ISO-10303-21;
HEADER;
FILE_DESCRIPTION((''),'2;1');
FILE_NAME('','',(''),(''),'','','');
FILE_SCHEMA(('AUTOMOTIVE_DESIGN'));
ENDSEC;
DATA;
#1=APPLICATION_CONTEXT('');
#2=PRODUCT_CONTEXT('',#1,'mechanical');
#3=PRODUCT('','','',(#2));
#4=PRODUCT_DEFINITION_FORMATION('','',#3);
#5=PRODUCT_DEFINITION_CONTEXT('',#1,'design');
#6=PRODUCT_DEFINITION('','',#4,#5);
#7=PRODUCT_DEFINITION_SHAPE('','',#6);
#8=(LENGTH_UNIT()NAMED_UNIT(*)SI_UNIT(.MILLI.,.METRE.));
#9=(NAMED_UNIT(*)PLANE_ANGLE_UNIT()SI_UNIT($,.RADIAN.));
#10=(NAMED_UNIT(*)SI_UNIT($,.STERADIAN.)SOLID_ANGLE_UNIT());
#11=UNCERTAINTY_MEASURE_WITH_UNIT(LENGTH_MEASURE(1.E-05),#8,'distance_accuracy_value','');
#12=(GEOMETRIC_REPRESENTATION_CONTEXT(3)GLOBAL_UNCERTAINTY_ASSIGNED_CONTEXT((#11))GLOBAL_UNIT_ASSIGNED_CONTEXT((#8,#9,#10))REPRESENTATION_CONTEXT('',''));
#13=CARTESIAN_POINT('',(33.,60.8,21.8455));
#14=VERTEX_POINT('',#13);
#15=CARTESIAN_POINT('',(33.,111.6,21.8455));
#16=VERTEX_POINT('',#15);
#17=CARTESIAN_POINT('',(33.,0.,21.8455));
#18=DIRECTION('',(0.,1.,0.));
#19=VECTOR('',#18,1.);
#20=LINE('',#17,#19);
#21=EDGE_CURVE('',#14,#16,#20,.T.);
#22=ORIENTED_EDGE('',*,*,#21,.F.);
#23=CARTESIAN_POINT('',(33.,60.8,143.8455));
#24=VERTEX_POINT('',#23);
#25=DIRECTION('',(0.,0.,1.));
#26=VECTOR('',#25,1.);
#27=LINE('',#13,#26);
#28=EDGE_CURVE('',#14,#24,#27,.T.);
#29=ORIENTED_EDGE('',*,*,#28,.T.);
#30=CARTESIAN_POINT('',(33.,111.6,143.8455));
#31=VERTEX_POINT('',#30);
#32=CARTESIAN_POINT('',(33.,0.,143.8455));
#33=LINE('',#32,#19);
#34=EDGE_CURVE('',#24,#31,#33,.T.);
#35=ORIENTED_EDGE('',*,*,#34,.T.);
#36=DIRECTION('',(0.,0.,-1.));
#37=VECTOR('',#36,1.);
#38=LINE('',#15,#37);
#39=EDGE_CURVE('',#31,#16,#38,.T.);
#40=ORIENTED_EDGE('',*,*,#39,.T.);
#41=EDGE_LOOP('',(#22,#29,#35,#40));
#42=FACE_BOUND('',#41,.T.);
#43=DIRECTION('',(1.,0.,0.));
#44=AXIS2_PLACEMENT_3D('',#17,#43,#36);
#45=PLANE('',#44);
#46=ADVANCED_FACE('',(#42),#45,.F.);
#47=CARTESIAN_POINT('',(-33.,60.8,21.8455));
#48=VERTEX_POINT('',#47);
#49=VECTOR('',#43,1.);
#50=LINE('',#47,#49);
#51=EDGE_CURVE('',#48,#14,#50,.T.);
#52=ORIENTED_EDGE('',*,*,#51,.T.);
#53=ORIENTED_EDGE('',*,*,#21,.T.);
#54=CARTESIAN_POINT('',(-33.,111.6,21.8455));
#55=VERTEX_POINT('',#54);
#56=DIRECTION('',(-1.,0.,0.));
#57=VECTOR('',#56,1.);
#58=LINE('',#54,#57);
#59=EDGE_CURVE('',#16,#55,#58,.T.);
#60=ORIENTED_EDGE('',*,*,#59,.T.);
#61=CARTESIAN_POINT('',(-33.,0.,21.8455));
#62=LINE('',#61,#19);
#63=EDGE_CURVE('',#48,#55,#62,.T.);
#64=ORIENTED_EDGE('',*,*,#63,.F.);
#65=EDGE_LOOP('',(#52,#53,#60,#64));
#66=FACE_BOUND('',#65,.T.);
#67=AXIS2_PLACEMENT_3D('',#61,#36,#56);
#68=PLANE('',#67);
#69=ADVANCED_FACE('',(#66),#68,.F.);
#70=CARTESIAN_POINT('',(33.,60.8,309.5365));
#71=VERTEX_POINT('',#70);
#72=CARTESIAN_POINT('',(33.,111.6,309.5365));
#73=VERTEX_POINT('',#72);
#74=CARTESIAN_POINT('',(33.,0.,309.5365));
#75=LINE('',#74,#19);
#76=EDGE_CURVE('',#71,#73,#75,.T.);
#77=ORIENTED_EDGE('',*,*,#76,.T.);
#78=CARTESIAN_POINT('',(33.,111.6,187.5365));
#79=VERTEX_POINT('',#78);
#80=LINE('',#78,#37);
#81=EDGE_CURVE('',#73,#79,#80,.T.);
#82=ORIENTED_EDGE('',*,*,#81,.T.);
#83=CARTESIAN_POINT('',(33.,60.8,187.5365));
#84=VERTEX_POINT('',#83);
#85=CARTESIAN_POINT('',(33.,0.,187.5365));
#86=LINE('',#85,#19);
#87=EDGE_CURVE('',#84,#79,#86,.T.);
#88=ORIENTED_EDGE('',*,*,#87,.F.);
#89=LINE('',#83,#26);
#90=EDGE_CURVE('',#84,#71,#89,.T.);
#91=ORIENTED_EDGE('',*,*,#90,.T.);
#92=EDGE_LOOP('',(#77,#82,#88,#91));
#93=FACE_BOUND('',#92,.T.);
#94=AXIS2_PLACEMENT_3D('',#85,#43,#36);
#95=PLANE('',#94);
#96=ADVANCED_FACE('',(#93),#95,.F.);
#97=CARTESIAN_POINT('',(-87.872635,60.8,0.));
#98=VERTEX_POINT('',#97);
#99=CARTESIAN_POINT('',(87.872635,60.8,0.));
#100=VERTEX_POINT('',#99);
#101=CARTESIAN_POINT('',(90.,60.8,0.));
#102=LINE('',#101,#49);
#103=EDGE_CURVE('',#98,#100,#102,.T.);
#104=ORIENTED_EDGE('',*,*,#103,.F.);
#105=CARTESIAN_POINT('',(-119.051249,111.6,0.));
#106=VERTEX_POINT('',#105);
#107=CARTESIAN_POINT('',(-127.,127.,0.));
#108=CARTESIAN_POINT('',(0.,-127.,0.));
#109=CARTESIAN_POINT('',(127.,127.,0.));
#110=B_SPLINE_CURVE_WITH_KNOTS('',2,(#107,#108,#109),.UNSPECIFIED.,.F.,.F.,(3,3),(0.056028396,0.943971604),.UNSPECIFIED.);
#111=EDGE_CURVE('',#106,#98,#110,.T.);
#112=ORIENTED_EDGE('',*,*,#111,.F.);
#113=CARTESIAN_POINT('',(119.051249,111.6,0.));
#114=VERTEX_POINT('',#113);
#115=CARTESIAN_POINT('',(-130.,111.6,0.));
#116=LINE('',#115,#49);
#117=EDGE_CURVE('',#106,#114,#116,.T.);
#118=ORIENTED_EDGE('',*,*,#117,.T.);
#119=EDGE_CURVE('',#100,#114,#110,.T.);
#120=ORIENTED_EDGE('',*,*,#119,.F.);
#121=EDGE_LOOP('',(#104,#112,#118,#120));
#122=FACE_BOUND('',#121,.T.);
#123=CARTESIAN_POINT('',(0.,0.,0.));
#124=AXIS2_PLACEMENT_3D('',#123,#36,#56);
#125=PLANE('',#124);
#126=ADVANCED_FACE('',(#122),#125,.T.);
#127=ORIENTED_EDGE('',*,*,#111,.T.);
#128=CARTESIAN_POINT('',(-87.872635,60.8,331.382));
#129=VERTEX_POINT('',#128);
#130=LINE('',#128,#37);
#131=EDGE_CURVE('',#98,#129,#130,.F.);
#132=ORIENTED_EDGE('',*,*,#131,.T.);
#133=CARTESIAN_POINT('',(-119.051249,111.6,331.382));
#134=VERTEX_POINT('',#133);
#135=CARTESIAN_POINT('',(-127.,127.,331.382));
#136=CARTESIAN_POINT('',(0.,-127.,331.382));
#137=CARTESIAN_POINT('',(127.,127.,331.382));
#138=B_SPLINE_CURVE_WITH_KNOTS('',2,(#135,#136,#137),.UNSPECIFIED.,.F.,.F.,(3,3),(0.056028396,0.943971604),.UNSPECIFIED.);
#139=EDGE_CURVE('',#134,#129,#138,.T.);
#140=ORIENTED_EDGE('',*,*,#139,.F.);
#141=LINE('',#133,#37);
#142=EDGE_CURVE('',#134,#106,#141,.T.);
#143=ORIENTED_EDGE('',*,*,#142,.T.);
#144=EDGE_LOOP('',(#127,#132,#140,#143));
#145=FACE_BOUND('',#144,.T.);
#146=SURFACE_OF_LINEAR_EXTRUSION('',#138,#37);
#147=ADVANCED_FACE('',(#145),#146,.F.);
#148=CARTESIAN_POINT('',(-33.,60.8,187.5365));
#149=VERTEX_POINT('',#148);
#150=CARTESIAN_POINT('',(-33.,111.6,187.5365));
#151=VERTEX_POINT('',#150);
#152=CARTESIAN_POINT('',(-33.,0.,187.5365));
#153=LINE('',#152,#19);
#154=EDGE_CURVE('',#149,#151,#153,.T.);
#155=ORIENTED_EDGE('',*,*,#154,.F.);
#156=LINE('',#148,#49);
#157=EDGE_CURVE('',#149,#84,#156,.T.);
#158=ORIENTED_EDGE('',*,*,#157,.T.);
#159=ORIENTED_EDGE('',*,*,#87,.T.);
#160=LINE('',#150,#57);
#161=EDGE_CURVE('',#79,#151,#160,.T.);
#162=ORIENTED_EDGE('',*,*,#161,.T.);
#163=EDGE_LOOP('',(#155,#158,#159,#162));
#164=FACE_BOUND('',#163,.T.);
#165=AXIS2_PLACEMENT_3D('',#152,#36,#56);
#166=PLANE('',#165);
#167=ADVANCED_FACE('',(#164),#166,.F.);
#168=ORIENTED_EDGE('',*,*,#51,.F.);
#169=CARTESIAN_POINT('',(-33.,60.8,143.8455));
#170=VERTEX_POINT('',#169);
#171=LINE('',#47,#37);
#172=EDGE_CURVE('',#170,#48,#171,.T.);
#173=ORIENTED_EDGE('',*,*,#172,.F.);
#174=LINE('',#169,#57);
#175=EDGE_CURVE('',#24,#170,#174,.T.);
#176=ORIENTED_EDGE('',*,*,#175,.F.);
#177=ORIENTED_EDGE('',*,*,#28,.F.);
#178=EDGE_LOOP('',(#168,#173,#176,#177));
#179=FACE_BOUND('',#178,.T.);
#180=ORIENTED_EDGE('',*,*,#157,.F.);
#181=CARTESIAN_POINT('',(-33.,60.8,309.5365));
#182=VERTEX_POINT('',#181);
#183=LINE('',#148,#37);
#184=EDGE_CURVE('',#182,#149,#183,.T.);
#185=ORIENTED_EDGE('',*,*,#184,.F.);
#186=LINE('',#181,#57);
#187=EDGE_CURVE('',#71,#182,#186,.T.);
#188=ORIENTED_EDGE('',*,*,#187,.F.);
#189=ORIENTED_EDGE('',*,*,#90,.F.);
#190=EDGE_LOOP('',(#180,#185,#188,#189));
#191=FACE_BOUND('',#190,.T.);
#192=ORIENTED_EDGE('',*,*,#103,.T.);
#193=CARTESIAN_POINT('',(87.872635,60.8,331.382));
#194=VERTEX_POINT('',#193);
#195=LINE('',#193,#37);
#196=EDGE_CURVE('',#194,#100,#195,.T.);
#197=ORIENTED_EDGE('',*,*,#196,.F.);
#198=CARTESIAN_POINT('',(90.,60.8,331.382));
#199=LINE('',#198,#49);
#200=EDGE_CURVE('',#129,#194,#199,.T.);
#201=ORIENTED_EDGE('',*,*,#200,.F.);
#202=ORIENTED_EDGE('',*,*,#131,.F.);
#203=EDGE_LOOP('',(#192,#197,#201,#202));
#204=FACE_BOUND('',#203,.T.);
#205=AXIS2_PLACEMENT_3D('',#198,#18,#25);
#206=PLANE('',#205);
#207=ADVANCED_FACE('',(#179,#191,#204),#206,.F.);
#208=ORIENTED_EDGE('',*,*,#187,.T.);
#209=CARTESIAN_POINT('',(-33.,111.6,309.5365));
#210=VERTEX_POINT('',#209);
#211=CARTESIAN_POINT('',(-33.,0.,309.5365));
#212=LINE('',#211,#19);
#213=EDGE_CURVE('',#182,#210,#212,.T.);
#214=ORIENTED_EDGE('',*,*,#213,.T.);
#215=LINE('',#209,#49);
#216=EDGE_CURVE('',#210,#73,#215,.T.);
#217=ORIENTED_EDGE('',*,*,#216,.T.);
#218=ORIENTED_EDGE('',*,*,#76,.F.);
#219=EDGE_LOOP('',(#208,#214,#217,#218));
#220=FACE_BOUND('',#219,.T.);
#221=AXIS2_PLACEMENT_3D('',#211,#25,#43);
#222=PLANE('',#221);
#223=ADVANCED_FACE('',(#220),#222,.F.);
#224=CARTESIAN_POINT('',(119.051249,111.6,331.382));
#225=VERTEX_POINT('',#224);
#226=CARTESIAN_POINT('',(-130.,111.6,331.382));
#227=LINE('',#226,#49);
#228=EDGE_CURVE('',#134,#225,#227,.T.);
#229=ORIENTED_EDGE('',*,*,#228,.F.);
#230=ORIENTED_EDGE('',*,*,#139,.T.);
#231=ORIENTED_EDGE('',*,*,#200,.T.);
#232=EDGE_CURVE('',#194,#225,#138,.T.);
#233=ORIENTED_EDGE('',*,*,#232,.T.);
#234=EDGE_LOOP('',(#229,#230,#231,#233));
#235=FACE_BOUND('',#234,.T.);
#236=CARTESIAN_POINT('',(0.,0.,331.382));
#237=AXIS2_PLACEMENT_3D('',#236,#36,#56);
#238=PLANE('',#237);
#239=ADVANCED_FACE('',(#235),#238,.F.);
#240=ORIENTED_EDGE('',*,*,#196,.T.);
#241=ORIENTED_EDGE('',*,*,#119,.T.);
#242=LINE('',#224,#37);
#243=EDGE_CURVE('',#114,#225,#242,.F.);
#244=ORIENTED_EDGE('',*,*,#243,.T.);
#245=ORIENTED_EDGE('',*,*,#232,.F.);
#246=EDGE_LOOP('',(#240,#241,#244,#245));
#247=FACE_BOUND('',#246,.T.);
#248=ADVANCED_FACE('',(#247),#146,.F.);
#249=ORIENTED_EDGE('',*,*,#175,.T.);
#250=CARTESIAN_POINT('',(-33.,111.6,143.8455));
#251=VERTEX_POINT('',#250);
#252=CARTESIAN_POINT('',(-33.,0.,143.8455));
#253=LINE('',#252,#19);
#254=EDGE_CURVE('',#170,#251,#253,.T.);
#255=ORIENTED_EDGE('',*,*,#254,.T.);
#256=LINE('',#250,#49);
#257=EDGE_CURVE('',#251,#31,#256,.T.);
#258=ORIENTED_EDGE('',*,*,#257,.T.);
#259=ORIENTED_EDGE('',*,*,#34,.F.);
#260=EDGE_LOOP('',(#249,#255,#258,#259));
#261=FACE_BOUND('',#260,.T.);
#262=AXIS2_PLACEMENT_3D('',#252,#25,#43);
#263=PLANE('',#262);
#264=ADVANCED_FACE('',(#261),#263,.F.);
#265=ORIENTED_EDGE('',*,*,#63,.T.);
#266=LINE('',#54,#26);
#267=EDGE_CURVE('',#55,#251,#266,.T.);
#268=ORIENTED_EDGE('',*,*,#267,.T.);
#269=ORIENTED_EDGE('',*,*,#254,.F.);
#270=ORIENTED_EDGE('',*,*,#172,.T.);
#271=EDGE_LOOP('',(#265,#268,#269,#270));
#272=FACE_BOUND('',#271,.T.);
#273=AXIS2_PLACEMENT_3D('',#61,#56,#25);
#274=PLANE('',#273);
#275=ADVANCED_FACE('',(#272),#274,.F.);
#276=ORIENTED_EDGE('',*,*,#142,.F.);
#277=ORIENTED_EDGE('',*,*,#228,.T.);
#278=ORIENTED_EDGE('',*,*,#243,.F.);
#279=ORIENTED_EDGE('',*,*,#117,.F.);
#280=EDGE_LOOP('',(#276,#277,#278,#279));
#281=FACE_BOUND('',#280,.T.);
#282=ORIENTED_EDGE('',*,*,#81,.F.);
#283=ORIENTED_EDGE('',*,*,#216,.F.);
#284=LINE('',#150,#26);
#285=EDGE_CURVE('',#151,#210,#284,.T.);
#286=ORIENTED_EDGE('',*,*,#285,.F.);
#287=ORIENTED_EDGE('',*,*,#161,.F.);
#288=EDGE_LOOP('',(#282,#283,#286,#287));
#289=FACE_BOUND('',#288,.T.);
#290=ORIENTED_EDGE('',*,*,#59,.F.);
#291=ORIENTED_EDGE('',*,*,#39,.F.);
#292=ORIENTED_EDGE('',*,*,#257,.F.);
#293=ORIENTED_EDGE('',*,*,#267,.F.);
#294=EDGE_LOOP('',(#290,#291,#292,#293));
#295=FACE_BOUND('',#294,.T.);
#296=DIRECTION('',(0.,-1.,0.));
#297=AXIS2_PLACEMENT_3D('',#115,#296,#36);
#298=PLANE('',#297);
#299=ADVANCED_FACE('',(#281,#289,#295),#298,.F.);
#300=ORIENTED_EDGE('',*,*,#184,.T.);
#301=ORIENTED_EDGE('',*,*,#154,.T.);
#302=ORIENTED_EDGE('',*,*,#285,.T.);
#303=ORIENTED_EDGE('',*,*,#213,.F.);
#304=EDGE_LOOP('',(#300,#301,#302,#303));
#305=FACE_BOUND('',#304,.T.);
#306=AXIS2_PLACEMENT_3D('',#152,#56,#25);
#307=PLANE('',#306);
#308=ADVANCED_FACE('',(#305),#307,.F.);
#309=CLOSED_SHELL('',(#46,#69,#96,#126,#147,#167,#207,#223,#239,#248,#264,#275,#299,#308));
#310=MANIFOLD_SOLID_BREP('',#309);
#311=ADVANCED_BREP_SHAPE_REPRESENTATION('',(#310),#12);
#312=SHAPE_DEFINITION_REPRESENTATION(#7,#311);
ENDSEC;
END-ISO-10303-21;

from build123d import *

# Parameters (mm, degrees)
BOSS_EXTRUDE2_DEPTH = 331.382
SKETCH3_W           = 66
SKETCH3_H           = 122
CUT_EXTRUDE2_DEPTH  = 128.0000001
SKETCH4_W           = 180
SKETCH4_H           = 60.8
CUT_EXTRUDE3_DEPTH  = 332.3820001
SKETCH5_W           = 260
SKETCH5_H           = 20
CUT_EXTRUDE4_DEPTH  = 332.3820001


with BuildPart() as part:
    # Sketch2 → Boss-Extrude2 (new body)
    with BuildSketch(Plane.XY):
        with BuildLine():
            Line((-127, 127), (127, 127))
            add(Edge.make_bspline(
                [(-127, 127), (0, -127), (127, 127)],
                knots=[0.056028396, 0.056028396, 0.056028396, 0.943971604, 0.943971604, 0.943971604], degree=2))
        make_face()
    extrude(amount=BOSS_EXTRUDE2_DEPTH)

    # Sketch3 → Cut-Extrude2 (cut, through all)
    with BuildSketch(Plane(origin=(0, 127, 0), x_dir=(1, 0, 0), z_dir=(0, 1, 0))):
        with Locations((0, -82.8455)):
            Rectangle(SKETCH3_W, SKETCH3_H)
        with Locations((0, -248.5365)):
            Rectangle(SKETCH3_W, SKETCH3_H)
    extrude(amount=-CUT_EXTRUDE2_DEPTH, mode=Mode.SUBTRACT)

    # Sketch4 → Cut-Extrude3 (cut, through all)
    with BuildSketch(Plane(origin=(0, 0, 0), x_dir=(-1, 0, 0), z_dir=(0, 0, -1))):
        with Locations((0, 30.4)):
            Rectangle(SKETCH4_W, SKETCH4_H)
    extrude(amount=-CUT_EXTRUDE3_DEPTH, mode=Mode.SUBTRACT)

    # Sketch5 → Cut-Extrude4 (cut, through all)
    with BuildSketch(Plane.XY.offset(331.382)):
        with Locations((0, 121.6)):
            Rectangle(SKETCH5_W, SKETCH5_H)
    extrude(amount=-CUT_EXTRUDE4_DEPTH, mode=Mode.SUBTRACT)


solid = part.part
